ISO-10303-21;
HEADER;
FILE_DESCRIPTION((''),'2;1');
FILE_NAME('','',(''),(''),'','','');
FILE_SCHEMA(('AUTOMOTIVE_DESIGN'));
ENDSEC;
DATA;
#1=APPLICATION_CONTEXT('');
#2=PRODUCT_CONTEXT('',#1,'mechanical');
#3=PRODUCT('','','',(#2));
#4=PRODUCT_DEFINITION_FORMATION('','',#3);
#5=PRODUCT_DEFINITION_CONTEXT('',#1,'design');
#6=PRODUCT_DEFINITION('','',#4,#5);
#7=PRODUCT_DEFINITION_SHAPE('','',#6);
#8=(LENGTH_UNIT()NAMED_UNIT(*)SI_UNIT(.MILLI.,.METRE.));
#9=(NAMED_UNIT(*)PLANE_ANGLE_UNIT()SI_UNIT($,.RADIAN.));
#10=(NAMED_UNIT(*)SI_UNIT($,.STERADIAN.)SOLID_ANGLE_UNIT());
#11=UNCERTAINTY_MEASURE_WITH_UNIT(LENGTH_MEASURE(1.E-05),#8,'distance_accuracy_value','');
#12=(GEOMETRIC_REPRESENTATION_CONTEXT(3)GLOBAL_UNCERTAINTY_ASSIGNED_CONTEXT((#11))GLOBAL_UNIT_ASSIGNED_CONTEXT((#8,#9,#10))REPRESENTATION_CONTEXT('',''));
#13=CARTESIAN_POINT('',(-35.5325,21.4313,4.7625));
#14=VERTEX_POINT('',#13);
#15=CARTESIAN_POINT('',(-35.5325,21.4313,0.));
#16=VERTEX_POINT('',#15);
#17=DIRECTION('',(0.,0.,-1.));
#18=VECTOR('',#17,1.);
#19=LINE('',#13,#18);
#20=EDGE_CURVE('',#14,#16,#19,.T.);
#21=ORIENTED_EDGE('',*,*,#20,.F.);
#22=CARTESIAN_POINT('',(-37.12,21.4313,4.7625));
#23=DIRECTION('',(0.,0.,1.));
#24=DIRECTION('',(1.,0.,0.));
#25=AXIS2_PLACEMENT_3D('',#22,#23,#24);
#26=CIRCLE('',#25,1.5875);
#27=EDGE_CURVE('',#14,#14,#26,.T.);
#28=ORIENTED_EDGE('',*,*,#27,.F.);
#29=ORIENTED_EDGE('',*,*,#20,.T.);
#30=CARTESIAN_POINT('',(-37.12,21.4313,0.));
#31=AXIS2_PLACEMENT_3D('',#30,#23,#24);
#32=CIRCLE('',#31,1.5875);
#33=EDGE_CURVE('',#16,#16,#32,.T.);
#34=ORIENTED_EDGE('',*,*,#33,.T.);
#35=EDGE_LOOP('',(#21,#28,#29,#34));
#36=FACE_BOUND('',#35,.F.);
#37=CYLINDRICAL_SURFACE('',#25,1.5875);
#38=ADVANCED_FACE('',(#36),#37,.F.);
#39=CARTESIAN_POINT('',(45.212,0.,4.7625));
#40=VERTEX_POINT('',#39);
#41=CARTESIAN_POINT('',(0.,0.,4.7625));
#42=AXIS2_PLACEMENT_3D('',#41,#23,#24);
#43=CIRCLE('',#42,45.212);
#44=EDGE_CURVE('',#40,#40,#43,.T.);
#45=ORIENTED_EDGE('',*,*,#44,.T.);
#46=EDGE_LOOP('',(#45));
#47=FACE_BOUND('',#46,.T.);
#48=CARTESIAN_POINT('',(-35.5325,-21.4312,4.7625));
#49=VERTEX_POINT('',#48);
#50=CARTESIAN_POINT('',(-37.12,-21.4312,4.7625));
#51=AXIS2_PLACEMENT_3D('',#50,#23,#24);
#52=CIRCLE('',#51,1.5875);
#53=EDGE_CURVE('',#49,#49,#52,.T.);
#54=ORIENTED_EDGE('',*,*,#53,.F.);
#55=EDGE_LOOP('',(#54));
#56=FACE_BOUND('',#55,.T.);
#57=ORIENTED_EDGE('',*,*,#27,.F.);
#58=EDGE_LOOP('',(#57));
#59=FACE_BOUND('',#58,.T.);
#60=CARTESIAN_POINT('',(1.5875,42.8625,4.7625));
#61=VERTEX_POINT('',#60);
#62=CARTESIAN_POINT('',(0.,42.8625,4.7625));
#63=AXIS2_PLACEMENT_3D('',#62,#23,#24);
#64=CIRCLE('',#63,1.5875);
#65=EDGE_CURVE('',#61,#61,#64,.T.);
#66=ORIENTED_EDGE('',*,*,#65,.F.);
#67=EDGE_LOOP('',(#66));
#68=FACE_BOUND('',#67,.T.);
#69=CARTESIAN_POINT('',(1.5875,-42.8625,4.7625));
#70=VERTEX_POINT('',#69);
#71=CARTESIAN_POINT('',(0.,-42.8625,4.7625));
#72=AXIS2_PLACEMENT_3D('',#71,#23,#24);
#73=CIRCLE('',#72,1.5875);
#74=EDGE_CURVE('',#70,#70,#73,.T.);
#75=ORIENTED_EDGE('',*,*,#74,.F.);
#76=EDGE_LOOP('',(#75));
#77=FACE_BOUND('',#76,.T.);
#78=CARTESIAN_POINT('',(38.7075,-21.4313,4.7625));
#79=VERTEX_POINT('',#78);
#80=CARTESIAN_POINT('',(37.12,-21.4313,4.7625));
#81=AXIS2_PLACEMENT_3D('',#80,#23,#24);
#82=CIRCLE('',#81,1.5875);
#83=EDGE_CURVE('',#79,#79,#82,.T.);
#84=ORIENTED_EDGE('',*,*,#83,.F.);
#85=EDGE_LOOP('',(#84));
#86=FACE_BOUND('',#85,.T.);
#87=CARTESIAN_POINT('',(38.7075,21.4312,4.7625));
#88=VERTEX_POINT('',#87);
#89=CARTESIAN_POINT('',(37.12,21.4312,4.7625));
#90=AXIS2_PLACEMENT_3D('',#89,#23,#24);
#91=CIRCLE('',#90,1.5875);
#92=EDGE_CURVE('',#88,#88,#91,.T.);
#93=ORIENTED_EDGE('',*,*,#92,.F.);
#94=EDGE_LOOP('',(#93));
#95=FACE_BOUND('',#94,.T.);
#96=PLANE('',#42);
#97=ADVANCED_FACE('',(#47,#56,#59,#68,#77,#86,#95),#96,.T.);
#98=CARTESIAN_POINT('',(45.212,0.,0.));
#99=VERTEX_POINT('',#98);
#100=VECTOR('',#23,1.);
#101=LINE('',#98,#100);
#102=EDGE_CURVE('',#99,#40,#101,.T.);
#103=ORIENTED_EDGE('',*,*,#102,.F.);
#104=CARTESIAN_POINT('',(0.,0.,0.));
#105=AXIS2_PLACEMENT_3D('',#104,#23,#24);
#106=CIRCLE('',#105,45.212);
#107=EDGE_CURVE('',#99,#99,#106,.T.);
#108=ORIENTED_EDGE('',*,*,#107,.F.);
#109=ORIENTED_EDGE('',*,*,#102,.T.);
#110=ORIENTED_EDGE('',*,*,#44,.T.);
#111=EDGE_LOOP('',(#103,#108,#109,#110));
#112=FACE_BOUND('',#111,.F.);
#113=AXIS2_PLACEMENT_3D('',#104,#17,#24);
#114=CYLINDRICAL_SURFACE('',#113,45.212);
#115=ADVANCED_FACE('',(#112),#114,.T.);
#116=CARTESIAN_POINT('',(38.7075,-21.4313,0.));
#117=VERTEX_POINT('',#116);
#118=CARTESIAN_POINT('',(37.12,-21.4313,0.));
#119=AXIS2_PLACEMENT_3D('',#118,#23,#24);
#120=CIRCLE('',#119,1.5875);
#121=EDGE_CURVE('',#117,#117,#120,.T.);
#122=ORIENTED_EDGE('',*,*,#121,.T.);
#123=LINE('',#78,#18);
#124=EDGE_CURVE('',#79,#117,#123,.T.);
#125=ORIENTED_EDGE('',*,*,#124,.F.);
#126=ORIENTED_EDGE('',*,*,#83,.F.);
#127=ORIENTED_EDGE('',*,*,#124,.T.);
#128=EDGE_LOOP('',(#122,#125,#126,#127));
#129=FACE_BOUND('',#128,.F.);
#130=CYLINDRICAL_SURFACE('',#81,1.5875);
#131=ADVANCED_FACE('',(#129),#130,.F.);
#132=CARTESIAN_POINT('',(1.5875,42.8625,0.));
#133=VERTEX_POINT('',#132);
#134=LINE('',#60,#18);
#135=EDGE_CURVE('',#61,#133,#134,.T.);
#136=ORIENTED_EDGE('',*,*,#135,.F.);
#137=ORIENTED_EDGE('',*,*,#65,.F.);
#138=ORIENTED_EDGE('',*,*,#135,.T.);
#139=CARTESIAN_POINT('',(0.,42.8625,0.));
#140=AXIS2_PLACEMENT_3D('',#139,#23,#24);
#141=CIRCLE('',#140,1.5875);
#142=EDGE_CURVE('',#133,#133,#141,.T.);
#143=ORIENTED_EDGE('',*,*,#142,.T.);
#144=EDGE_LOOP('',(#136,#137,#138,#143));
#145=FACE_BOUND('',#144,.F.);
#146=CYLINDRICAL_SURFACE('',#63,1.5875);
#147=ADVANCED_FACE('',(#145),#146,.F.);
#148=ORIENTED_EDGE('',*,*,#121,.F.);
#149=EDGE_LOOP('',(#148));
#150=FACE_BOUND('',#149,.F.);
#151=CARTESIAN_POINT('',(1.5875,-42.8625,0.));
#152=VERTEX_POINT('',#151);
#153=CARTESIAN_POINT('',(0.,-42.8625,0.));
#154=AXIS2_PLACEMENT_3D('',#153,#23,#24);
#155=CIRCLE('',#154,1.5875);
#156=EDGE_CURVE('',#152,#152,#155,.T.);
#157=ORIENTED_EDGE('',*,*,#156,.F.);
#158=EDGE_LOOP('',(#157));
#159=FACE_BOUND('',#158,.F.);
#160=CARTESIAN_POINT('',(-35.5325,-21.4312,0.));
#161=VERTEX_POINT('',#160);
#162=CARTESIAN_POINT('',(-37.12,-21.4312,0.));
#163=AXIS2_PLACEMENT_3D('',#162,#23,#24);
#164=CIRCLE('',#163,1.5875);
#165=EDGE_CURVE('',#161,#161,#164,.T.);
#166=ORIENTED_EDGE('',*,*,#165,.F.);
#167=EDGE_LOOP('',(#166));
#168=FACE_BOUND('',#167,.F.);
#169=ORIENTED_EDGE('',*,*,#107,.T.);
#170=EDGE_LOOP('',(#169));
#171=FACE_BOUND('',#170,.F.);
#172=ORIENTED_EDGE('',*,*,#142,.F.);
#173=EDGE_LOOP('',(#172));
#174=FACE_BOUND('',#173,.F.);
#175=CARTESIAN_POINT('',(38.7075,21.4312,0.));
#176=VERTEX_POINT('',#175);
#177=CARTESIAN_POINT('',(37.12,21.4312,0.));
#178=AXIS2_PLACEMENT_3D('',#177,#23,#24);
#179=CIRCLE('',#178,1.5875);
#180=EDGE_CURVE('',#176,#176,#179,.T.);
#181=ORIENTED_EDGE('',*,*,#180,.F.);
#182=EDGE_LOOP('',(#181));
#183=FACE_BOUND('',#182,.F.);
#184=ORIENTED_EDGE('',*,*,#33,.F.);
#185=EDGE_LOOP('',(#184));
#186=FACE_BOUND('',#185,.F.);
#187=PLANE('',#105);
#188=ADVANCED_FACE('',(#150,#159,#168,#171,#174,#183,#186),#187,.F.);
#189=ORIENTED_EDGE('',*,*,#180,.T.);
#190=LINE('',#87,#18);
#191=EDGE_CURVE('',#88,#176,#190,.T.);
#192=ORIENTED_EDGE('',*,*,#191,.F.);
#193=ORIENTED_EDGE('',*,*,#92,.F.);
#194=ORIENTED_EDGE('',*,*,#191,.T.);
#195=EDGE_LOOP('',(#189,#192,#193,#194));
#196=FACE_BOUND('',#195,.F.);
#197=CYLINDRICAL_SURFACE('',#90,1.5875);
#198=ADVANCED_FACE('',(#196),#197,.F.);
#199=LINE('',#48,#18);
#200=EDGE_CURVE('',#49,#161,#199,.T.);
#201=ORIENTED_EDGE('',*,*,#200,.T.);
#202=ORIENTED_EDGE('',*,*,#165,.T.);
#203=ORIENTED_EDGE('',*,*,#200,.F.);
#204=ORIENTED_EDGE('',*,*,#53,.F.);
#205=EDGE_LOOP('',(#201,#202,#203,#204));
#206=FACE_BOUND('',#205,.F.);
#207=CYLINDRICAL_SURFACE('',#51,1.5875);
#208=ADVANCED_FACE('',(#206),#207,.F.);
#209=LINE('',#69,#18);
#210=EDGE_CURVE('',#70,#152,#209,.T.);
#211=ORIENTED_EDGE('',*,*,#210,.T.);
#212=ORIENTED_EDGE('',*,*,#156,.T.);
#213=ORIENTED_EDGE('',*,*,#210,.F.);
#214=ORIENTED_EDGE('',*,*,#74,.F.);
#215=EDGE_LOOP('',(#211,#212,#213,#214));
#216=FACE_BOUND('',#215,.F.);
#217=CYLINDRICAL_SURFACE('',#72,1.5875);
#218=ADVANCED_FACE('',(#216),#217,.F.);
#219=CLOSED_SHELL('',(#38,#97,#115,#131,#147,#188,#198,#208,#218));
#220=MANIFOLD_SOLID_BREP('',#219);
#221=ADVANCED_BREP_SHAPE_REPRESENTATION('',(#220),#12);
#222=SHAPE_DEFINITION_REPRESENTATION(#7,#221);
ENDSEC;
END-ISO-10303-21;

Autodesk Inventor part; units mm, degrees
ref_plane "YZ Plane" through (0, 0, 0) normal (1, 0, 0) x (0, 1, 0)
ref_plane "XZ Plane" through (0, 0, 0) normal (0, 1, 0) x (-1, 0, 0)
ref_plane "XY Plane" through (0, 0, 0) normal (0, 0, 1) x (1, 0, 0)
sketch "Sketch1" plane through (0, 0, 0) normal (0, 0, 1) x (1, 0, 0)
  circle A0 centre (0, 0) radius 45.212
  dimension "d0" = 90.424
extrude "Extrusion1" add sketch "Sketch1" along normal blind 4.7625
sketch "Sketch4" plane through (0, 0, 4.7625) normal (0, 0, 1) x (1, 0, 0)
  circle A0 centre (0, 42.8625) radius 1.5875
  circle A1 centre (-37.12, 21.4313) radius 1.5875
  circle A2 centre (-37.12, -21.4312) radius 1.5875
  circle A3 centre (0, -42.8625) radius 1.5875
  circle A4 centre (37.12, -21.4313) radius 1.5875
  circle A5 centre (37.12, 21.4312) radius 1.5875
  point P0 (0, 0)
  dimension "d14" = 3.175
  dimension "d15" = 42.8625
  dimension "d18" = 360
extrude "Extrusion4" cut sketch "Sketch4" against normal blind 25.4
properties part number "AluminumSealingDiscMidshipsMiddle" material "Aluminum 6061"
